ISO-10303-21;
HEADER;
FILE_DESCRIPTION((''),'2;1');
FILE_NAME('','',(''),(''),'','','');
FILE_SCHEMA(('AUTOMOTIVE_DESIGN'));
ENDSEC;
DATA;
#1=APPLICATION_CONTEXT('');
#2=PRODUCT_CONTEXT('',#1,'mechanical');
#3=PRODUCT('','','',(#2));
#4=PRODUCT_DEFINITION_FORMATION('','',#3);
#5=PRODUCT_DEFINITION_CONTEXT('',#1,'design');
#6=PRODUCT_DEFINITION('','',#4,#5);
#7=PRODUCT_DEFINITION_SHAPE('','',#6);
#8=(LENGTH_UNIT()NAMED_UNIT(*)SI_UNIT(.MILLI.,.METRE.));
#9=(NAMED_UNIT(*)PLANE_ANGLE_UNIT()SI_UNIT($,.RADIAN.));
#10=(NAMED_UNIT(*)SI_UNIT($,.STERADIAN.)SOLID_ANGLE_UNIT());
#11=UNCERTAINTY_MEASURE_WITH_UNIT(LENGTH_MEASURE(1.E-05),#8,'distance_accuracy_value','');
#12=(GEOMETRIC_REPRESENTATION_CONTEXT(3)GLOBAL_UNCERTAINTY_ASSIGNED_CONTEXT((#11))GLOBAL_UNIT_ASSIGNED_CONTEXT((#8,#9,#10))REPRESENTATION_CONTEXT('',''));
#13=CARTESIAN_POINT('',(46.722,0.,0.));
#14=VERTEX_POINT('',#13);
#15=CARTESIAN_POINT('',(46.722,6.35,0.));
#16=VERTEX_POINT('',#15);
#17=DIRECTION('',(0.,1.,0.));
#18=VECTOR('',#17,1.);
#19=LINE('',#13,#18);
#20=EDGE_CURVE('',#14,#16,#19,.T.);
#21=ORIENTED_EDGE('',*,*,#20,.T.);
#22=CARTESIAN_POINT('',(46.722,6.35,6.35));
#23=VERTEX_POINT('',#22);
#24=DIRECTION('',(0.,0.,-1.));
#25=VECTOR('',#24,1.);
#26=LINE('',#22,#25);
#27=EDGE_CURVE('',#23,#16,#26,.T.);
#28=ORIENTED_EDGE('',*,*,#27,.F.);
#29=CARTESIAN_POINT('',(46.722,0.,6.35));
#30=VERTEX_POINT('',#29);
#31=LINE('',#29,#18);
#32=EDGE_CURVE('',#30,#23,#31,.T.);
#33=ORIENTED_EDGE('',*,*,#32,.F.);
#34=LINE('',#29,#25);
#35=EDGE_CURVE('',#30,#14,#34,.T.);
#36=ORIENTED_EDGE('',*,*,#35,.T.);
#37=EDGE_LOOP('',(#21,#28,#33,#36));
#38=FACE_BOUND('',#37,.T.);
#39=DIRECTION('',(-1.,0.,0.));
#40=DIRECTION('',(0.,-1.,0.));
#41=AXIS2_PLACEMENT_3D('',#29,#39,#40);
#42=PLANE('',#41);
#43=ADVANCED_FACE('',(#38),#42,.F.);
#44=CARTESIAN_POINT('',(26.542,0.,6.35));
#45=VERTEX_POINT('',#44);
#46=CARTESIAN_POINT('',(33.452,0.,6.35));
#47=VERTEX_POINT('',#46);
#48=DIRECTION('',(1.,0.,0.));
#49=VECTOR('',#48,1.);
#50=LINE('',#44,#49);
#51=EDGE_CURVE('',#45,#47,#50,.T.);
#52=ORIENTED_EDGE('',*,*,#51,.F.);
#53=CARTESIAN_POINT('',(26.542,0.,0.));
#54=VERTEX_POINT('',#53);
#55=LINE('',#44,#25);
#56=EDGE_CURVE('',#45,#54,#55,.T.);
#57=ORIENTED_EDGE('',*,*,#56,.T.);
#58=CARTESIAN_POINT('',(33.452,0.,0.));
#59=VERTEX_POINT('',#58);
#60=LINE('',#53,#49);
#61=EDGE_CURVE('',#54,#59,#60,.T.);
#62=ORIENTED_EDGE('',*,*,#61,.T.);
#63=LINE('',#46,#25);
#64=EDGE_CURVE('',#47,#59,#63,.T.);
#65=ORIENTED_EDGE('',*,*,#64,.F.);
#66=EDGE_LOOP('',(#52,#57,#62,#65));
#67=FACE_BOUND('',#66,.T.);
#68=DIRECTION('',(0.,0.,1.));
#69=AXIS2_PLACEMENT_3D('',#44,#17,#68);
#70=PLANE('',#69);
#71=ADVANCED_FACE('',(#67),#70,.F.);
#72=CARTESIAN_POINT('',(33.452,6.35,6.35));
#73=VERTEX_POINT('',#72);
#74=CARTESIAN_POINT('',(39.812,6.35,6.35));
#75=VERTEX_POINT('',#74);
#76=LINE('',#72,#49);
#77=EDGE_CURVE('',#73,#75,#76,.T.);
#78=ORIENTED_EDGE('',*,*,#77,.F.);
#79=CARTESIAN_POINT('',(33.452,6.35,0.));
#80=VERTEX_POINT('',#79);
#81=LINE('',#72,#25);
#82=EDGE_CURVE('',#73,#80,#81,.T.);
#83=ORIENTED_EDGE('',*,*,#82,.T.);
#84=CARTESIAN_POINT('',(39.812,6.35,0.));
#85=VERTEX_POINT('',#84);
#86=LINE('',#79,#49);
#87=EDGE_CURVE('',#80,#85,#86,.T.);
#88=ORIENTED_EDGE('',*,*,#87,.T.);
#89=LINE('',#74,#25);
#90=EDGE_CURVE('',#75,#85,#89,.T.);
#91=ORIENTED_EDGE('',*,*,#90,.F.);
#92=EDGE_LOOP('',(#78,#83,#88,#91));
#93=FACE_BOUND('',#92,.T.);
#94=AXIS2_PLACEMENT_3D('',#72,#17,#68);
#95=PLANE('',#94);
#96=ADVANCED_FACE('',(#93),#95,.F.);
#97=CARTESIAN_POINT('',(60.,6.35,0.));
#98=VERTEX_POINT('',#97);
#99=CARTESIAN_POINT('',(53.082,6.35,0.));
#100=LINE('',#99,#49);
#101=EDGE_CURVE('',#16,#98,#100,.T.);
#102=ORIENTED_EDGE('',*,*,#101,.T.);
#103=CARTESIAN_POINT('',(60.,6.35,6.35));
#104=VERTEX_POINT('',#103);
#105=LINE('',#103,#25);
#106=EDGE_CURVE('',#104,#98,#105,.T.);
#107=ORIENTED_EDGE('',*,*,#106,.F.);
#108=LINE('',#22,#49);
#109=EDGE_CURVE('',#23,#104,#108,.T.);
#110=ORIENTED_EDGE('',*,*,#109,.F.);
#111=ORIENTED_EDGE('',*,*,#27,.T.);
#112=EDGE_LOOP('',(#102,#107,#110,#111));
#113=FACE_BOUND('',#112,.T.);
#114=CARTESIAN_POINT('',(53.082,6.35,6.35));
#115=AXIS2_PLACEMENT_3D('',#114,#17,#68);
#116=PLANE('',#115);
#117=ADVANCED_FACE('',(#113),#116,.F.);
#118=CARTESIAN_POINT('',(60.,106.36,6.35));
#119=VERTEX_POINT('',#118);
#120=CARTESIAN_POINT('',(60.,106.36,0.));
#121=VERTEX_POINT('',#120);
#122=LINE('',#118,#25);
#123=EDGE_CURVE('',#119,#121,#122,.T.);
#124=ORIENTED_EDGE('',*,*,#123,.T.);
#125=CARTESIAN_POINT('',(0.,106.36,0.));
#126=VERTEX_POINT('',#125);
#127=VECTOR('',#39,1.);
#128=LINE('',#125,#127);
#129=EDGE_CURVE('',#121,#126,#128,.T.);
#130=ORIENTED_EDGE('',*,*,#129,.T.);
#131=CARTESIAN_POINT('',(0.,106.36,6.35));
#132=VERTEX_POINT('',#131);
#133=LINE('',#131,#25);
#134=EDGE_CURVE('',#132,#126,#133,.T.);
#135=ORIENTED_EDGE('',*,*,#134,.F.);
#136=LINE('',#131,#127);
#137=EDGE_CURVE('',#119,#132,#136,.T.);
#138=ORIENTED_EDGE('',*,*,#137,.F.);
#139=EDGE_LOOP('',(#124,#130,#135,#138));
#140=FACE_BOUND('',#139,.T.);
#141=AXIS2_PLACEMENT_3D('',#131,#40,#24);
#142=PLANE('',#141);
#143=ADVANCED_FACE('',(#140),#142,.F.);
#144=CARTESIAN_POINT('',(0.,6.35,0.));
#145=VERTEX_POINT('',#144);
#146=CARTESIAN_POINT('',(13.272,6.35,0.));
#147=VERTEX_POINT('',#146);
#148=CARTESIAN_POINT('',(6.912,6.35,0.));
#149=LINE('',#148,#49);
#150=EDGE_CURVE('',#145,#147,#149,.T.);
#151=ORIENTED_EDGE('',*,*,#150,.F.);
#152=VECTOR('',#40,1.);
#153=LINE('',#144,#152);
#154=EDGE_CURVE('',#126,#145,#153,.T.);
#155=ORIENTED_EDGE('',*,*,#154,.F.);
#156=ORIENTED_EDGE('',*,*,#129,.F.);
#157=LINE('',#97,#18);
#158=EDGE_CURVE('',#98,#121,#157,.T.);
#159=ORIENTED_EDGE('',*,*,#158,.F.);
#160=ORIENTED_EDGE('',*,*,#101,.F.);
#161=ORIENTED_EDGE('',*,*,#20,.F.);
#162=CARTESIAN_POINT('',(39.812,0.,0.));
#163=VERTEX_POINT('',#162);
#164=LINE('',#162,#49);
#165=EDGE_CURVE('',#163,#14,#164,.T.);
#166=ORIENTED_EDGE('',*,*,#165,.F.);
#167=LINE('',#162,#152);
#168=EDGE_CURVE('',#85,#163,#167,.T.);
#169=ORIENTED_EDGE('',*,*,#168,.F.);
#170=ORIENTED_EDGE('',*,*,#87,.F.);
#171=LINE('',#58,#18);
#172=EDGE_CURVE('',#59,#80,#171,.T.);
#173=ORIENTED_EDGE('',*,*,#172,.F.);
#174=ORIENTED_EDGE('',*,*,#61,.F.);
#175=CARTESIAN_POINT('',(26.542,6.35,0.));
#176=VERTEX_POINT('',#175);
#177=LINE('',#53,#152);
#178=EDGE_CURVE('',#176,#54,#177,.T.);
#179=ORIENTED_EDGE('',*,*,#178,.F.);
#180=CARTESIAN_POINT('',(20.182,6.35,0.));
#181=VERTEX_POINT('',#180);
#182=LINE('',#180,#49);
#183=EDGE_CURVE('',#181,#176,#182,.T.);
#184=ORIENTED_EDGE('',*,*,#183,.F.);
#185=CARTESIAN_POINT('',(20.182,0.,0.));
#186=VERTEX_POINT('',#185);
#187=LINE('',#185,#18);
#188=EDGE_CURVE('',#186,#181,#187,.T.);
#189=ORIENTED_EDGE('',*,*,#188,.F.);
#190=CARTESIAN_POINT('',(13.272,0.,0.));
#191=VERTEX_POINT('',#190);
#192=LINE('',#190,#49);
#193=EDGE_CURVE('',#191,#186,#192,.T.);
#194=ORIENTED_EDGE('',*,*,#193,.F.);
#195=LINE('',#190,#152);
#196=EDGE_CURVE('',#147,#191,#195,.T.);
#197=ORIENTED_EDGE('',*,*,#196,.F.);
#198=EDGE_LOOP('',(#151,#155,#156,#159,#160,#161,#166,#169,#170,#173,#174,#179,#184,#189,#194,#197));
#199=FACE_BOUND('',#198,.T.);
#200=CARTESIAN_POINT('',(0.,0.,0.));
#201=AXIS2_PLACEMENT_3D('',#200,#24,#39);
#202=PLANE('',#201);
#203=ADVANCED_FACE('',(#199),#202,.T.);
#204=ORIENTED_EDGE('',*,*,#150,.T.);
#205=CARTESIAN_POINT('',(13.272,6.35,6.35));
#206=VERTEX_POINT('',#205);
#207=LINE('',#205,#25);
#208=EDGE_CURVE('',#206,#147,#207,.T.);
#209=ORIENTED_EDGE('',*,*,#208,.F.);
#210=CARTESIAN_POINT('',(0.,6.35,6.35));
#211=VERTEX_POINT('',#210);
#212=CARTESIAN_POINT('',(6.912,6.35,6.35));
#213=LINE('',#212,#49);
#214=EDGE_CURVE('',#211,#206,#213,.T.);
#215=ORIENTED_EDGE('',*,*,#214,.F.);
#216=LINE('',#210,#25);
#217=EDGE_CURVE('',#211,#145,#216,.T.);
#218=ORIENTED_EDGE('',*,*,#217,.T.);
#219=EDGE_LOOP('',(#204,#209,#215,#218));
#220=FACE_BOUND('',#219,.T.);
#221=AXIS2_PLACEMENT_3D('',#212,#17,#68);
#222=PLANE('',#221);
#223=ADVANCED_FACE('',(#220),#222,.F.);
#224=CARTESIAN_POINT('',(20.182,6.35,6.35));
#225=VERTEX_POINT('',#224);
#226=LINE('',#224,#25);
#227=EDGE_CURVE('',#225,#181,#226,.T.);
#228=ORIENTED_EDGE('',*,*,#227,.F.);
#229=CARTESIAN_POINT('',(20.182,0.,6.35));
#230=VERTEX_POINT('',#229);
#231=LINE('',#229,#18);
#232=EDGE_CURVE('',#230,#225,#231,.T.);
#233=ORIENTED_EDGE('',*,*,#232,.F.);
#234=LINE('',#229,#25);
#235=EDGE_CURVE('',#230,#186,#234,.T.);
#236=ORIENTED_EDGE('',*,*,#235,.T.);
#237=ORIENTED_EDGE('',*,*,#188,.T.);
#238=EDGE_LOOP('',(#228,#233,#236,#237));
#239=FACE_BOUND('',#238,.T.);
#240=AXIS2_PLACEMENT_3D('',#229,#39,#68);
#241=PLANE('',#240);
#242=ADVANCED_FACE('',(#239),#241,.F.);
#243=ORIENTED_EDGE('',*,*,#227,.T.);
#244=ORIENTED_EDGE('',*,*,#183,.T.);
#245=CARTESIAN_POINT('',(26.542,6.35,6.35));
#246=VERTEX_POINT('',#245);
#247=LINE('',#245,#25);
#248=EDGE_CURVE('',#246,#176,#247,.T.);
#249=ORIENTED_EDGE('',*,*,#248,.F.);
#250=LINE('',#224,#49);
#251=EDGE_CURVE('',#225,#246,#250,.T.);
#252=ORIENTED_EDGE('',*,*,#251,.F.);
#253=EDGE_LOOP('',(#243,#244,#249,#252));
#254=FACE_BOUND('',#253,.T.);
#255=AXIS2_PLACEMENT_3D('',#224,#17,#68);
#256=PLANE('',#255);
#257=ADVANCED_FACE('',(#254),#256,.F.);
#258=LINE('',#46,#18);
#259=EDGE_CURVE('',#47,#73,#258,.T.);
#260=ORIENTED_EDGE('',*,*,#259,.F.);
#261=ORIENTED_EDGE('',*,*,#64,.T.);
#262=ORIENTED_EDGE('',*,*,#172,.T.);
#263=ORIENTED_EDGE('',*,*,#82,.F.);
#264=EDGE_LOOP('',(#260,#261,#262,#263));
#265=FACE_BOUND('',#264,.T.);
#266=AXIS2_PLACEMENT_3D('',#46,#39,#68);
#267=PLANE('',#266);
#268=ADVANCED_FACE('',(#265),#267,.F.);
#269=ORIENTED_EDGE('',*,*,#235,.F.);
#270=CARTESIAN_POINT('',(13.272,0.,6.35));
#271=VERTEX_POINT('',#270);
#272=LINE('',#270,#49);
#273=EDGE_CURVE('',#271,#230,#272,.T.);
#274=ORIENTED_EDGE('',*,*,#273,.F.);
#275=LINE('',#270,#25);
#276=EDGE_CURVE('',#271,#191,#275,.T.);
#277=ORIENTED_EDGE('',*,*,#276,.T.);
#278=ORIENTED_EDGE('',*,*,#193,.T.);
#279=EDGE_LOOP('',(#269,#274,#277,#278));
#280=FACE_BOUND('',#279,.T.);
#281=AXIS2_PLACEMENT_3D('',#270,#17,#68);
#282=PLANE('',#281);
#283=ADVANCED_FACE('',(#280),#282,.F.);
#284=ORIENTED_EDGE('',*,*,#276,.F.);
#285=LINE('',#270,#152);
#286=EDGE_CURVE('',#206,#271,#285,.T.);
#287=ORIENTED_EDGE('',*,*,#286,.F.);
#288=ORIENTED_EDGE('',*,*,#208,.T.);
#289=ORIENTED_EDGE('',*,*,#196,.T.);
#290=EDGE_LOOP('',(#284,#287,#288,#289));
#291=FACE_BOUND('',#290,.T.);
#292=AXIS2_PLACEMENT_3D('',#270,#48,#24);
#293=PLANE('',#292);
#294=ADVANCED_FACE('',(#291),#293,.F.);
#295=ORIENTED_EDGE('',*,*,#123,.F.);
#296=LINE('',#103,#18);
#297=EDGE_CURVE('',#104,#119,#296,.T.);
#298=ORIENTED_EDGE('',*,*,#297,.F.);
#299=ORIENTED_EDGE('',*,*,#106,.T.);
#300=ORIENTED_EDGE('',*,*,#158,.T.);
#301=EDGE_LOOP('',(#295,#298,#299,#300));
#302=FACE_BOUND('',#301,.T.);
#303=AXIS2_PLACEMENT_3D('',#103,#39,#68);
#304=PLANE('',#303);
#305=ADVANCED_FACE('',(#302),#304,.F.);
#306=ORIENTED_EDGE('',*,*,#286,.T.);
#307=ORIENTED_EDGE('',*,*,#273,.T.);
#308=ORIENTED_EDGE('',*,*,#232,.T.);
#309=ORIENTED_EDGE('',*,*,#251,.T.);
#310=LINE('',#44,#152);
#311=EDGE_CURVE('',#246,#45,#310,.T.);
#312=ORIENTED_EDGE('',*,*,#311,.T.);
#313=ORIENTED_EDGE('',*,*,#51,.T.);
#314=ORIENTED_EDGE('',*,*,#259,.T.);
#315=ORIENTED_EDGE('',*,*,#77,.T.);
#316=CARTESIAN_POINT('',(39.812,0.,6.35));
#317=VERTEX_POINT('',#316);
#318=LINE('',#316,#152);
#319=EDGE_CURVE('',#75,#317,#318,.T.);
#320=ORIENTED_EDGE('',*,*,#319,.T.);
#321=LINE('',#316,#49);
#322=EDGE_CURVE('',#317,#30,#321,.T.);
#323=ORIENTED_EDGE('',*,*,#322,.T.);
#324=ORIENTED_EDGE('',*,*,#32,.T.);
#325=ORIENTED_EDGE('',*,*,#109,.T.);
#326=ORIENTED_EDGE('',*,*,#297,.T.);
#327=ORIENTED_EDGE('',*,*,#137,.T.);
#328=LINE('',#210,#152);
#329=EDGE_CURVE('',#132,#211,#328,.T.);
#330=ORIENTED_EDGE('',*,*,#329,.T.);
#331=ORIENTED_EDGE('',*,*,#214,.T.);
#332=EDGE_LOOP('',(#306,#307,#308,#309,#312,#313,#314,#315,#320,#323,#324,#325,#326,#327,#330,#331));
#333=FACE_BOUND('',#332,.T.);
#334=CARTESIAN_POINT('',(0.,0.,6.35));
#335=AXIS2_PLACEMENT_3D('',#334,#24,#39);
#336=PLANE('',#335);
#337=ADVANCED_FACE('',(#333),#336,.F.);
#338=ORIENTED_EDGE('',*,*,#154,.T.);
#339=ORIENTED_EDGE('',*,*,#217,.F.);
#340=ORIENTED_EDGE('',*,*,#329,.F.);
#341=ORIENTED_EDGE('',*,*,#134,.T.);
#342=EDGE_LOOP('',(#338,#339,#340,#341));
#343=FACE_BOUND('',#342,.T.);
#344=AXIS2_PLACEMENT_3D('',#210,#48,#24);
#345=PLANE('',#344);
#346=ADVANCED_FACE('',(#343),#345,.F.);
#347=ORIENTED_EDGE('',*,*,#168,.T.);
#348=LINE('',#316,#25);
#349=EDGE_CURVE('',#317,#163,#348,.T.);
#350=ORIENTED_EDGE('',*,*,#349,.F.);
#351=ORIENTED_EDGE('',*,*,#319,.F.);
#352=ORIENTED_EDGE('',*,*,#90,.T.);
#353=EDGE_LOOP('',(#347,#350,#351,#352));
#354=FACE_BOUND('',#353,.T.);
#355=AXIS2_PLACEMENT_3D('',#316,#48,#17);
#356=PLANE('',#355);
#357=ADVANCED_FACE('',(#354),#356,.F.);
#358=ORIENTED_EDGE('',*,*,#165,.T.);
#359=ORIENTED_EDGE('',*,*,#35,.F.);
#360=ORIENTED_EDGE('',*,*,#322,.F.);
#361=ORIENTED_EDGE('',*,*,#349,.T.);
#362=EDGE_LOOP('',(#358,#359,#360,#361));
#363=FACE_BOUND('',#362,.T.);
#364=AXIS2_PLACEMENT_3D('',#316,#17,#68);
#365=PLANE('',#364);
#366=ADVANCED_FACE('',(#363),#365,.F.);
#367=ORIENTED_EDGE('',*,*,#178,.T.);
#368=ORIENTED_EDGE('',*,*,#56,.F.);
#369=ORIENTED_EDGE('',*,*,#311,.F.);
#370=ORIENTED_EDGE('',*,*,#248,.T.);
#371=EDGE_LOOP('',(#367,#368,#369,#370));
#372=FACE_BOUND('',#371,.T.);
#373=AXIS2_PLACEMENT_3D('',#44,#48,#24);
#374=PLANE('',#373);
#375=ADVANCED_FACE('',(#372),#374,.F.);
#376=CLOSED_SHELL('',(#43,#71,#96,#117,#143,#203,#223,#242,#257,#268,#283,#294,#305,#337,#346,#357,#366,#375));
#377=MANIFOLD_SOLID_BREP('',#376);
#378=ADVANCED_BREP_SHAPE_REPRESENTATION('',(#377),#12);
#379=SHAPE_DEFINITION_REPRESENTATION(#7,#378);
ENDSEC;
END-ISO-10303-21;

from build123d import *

# Parameters (mm, degrees)
BOSS_EXTRUDE1_DEPTH = 6.35


with BuildPart() as part:
    # Sketch1 → Boss-Extrude1 (new body)
    with BuildSketch(Plane.XY):
        Polygon((26.542, 0), (26.542, 6.35), (20.182, 6.35), (20.182, 0), (13.272, 0), (13.272, 6.35), (6.912, 6.35), (0, 6.35), (0, 106.36), (60, 106.36), (60, 6.35), (53.082, 6.35), (46.722, 6.35), (46.722, 0), (39.812, 0), (39.812, 6.35), (33.452, 6.35), (33.452, 0), align=None)
    extrude(amount=BOSS_EXTRUDE1_DEPTH)


solid = part.part
